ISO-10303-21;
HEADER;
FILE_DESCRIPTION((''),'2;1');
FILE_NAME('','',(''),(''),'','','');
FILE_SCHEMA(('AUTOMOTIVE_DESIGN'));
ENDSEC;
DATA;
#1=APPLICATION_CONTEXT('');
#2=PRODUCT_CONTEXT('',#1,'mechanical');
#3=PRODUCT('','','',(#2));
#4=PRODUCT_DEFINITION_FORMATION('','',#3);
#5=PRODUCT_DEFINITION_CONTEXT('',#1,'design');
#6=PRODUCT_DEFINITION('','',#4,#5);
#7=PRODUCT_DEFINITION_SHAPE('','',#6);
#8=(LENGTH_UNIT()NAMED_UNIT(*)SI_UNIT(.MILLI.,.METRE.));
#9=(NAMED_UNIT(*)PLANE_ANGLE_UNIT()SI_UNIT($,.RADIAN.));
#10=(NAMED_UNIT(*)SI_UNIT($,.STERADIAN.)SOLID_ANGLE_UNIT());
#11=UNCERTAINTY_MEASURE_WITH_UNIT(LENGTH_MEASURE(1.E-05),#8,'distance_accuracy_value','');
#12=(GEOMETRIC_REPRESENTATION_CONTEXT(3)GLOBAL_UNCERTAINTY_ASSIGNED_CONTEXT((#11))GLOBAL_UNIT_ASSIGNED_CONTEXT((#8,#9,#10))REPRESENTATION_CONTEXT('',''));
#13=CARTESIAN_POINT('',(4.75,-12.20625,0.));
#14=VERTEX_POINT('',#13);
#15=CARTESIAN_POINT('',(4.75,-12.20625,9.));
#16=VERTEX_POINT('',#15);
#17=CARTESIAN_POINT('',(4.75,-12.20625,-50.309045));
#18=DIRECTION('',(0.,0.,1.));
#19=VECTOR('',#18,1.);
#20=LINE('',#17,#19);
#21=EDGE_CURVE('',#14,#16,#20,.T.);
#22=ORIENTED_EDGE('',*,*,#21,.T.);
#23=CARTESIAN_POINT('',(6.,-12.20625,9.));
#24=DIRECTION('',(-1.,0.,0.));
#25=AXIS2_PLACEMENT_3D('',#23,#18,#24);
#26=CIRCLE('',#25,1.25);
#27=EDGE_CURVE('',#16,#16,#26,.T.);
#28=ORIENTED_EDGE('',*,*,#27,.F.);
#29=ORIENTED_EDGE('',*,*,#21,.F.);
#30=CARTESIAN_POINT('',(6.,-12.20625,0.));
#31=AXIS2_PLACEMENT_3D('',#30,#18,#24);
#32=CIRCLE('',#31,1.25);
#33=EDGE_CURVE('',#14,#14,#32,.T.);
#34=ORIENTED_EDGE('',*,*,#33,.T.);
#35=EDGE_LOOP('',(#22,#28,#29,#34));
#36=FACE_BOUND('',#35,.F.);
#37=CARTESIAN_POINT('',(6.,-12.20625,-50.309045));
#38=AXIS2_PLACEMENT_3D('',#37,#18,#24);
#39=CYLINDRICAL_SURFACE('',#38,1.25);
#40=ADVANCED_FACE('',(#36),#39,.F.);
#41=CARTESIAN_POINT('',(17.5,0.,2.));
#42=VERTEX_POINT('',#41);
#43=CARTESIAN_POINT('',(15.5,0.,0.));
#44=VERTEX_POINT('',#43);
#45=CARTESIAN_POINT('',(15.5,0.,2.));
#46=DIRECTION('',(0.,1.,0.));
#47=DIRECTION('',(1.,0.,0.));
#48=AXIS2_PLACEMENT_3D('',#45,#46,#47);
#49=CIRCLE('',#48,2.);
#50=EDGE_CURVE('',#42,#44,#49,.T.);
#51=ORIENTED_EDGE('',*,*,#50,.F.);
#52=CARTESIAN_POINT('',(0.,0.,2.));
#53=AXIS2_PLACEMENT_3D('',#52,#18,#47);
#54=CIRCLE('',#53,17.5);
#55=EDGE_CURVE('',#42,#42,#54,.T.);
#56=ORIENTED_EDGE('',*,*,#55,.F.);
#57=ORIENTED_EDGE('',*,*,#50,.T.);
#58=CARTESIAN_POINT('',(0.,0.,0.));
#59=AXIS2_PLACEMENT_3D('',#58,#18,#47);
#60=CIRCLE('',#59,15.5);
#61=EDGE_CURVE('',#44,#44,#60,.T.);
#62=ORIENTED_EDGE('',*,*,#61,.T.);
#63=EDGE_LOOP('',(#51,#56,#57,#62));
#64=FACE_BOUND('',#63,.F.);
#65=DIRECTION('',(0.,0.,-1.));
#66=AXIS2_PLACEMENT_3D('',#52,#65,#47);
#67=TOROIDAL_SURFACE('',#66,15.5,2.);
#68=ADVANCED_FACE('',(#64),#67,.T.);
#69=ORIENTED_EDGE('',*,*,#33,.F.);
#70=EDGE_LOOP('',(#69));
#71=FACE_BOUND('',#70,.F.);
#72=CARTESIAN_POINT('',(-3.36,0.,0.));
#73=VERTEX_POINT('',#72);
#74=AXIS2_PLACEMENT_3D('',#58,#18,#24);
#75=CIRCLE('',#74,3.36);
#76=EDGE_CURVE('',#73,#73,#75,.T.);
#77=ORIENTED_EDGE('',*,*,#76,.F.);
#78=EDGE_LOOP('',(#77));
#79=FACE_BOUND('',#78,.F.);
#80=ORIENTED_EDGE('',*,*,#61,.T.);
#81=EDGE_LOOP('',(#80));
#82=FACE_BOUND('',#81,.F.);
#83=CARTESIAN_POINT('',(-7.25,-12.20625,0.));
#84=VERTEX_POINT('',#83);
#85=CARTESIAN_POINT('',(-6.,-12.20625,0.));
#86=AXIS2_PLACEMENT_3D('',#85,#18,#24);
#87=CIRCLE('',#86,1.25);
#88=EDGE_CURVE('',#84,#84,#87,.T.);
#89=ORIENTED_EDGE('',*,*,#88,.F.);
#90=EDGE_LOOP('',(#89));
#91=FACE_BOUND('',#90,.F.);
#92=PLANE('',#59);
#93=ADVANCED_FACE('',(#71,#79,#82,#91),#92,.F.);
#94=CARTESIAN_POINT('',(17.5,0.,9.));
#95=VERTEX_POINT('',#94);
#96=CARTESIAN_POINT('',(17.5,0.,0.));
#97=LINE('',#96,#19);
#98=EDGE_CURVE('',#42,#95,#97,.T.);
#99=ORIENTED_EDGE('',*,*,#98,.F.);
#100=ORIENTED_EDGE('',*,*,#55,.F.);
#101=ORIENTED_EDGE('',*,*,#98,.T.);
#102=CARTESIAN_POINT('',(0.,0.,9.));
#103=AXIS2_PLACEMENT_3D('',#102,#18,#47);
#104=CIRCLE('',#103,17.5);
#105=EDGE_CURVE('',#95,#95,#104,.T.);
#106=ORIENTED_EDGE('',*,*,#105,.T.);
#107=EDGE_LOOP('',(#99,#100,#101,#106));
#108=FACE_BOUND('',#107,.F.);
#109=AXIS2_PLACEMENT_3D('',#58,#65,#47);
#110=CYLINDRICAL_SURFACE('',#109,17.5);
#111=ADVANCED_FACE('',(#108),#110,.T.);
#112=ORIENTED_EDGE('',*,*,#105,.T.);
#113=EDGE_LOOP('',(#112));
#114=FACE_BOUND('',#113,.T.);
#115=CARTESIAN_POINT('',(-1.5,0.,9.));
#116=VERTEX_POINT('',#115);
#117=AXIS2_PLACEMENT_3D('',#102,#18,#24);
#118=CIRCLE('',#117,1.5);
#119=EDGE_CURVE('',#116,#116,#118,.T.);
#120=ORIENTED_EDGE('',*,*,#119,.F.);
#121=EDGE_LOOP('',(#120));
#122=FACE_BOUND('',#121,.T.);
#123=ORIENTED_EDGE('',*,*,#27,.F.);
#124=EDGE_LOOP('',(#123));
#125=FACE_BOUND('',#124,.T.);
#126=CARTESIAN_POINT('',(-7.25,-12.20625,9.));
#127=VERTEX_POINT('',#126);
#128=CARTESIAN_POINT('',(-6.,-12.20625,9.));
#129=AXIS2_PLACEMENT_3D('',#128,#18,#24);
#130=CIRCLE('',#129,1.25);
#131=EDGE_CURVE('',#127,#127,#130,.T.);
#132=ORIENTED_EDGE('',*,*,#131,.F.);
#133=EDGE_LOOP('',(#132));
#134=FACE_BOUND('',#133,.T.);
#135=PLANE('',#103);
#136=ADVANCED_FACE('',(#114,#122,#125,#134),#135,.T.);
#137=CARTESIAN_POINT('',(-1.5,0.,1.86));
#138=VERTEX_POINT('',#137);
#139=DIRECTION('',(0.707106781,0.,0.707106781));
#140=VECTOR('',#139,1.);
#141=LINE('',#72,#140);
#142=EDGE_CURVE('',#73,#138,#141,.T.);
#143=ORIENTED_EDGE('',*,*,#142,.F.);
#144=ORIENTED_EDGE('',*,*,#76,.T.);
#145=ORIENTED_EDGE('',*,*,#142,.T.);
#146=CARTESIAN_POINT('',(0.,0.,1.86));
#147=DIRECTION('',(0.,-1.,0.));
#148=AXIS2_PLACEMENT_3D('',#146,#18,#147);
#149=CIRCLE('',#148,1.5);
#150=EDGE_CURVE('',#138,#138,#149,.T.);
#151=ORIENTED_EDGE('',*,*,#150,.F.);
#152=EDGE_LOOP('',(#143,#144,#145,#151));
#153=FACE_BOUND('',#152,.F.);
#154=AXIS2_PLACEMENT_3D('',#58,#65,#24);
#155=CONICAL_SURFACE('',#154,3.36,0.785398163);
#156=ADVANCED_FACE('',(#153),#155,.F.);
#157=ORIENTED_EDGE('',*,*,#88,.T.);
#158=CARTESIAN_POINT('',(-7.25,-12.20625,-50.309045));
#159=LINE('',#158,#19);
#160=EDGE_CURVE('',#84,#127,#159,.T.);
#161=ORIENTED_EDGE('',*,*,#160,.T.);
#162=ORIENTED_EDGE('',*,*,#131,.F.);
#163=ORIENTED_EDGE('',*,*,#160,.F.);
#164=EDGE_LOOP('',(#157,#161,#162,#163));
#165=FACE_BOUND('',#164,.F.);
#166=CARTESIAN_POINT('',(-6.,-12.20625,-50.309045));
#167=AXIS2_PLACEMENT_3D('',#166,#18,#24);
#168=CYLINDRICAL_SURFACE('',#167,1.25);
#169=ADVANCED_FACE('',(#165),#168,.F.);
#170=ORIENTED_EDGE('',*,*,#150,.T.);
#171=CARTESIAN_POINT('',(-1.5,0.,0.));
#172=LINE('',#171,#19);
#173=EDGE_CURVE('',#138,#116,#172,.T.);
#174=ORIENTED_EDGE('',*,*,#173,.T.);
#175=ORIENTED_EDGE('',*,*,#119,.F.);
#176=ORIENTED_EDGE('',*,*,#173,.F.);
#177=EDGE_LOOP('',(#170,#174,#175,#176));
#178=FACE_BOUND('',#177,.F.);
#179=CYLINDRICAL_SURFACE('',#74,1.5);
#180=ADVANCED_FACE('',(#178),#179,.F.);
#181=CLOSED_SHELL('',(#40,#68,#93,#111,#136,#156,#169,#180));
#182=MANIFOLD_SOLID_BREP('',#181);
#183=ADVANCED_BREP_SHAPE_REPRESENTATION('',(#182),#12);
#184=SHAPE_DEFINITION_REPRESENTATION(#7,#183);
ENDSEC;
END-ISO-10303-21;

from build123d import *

# Parameters (mm, degrees)
F0_R           = 17.5
F1_DEPTH       = 9
F2_D           = 3
F2_CSINK_D     = 6.72
F2_CSINK_ANGLE = 90
F3_D           = 2.5
F4_R           = 2


with BuildPart() as f1:
    # F0 (on Top) → F1 (new body)
    with BuildSketch(Plane.XY):
        Circle(F0_R)
    extrude(amount=F1_DEPTH)

    # F2 (through all)
    with Locations(Plane(origin=(0, 0, 0), x_dir=(1, 0, 0), z_dir=(0, 0, -1))):
        with Locations((0, 0)):
            CounterSinkHole(F2_D / 2, F2_CSINK_D / 2, counter_sink_angle=F2_CSINK_ANGLE)

    # F3 (through all)
    with Locations(Plane(origin=(0, 0, 0), x_dir=(1, 0, 0), z_dir=(0, 0, -1))):
        with Locations((6, 12.2062498704), (-6, 12.2062498704)):
            Hole(F3_D / 2)

    # F4
    f4_edges = [f1.edges().sort_by_distance(p)[0] for p in [
        (-17.5, 0, 0),
    ]]
    fillet(f4_edges, radius=F4_R)


solid = f1.part
